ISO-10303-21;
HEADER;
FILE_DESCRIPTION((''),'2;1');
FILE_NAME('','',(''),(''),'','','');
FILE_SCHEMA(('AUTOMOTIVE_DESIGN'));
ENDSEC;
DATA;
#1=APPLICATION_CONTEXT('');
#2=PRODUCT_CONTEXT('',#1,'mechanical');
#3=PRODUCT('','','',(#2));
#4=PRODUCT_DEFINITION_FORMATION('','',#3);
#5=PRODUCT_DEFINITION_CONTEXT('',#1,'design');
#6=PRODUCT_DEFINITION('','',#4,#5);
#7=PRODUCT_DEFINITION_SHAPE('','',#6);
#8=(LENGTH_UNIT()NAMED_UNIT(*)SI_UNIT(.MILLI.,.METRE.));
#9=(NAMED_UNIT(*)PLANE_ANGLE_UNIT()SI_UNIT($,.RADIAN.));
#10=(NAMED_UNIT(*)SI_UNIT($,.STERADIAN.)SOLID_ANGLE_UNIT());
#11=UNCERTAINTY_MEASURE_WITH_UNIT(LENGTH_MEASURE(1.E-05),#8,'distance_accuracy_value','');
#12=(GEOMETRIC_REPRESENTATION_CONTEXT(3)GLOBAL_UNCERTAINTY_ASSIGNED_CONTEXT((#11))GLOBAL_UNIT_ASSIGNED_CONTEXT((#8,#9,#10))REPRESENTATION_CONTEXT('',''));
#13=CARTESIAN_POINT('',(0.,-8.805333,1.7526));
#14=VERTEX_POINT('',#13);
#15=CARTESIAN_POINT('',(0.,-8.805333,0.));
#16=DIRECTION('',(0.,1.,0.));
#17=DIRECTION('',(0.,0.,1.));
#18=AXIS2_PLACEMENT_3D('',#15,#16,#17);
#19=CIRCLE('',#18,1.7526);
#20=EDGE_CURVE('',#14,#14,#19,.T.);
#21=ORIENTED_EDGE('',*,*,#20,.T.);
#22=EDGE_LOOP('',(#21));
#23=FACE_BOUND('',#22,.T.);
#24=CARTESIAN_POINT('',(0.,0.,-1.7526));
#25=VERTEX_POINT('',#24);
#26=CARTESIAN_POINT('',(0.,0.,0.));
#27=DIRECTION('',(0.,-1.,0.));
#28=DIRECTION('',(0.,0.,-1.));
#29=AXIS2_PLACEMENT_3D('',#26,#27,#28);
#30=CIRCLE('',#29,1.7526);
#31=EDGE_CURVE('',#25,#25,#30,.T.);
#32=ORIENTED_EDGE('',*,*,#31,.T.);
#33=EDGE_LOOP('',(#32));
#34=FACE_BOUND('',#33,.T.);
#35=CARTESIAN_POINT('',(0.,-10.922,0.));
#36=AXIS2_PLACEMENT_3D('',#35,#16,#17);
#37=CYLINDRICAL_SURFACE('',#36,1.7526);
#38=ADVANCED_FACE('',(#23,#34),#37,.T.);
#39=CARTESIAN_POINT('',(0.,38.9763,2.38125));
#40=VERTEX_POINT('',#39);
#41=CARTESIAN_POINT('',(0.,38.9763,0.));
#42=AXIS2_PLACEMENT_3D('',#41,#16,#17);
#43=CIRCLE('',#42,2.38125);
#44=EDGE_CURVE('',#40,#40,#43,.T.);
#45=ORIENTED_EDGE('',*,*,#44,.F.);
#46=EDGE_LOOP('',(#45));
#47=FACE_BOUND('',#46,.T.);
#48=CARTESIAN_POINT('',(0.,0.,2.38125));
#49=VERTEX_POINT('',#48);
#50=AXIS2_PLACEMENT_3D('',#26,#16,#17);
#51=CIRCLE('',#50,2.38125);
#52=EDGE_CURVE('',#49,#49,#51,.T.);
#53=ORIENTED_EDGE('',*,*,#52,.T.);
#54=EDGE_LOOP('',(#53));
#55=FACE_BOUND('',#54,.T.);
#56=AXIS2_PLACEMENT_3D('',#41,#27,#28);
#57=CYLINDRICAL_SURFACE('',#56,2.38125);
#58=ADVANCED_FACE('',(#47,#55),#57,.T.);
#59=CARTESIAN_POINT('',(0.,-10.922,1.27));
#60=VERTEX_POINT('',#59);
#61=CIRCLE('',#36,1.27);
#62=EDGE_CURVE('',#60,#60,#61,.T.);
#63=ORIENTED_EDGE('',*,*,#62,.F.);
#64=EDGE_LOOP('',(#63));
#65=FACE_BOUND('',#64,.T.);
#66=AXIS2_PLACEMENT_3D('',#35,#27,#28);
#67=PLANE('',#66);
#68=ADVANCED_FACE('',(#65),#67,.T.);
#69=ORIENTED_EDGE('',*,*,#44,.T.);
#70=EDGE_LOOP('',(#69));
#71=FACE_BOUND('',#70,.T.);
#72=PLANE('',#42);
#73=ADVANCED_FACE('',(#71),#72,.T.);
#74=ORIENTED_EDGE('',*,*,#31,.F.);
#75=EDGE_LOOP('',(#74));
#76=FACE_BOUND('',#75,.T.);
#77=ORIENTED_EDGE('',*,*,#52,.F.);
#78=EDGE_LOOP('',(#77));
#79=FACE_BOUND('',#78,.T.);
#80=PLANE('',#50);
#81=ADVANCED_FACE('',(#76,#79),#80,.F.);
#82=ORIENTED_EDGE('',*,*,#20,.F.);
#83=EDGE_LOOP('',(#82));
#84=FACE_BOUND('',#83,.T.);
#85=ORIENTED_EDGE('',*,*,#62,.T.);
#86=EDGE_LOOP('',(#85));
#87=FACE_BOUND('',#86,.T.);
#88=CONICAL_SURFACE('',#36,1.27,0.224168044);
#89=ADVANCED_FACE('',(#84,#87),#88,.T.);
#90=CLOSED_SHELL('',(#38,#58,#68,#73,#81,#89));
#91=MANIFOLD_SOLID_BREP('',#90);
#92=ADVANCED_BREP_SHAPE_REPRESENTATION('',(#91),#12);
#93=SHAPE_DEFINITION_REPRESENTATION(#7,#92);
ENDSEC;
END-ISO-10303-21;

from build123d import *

# Parameters (mm, degrees)
SKETCH1_R           = 2.38125
BOSS_EXTRUDE1_DEPTH = 38.9763
SKETCH2_R           = 1.7526
BOSS_EXTRUDE2_DEPTH = 10.922


with BuildPart() as part:
    # Sketch1 → Boss-Extrude1 (new body)
    with BuildSketch(Plane(origin=(0, 0, 0), x_dir=(1, 0, 0), z_dir=(0, 1, 0))):
        with Locations(Location((0, 0, 0), (0, 0, 270))):
            Circle(SKETCH1_R)
    extrude(amount=BOSS_EXTRUDE1_DEPTH)

    # Sketch2 → Boss-Extrude2 (add)
    with BuildSketch(Plane.XZ):
        with Locations(Location((0, 0, 0), (0, 0, 270))):
            Circle(SKETCH2_R)
    extrude(amount=BOSS_EXTRUDE2_DEPTH)

    # Sketch3 → Cut-Revolve1 (revolve, cut)
    with BuildSketch(Plane(origin=(0, 0, 0), x_dir=(0, 0, -1), z_dir=(1, 0, 0)), mode=Mode.PRIVATE) as cut_revolve1_sk:
        Polygon((1.7526, -8.805333333), (1.27, -10.922), (1.7526, -10.922), align=None)
    revolve(cut_revolve1_sk.sketch.rotate(Axis((0, -10.922, 0), (0, 1, 0)), 180), axis=Axis((0, -10.922, 0), (0, 1, 0)), mode=Mode.SUBTRACT)


solid = part.part
